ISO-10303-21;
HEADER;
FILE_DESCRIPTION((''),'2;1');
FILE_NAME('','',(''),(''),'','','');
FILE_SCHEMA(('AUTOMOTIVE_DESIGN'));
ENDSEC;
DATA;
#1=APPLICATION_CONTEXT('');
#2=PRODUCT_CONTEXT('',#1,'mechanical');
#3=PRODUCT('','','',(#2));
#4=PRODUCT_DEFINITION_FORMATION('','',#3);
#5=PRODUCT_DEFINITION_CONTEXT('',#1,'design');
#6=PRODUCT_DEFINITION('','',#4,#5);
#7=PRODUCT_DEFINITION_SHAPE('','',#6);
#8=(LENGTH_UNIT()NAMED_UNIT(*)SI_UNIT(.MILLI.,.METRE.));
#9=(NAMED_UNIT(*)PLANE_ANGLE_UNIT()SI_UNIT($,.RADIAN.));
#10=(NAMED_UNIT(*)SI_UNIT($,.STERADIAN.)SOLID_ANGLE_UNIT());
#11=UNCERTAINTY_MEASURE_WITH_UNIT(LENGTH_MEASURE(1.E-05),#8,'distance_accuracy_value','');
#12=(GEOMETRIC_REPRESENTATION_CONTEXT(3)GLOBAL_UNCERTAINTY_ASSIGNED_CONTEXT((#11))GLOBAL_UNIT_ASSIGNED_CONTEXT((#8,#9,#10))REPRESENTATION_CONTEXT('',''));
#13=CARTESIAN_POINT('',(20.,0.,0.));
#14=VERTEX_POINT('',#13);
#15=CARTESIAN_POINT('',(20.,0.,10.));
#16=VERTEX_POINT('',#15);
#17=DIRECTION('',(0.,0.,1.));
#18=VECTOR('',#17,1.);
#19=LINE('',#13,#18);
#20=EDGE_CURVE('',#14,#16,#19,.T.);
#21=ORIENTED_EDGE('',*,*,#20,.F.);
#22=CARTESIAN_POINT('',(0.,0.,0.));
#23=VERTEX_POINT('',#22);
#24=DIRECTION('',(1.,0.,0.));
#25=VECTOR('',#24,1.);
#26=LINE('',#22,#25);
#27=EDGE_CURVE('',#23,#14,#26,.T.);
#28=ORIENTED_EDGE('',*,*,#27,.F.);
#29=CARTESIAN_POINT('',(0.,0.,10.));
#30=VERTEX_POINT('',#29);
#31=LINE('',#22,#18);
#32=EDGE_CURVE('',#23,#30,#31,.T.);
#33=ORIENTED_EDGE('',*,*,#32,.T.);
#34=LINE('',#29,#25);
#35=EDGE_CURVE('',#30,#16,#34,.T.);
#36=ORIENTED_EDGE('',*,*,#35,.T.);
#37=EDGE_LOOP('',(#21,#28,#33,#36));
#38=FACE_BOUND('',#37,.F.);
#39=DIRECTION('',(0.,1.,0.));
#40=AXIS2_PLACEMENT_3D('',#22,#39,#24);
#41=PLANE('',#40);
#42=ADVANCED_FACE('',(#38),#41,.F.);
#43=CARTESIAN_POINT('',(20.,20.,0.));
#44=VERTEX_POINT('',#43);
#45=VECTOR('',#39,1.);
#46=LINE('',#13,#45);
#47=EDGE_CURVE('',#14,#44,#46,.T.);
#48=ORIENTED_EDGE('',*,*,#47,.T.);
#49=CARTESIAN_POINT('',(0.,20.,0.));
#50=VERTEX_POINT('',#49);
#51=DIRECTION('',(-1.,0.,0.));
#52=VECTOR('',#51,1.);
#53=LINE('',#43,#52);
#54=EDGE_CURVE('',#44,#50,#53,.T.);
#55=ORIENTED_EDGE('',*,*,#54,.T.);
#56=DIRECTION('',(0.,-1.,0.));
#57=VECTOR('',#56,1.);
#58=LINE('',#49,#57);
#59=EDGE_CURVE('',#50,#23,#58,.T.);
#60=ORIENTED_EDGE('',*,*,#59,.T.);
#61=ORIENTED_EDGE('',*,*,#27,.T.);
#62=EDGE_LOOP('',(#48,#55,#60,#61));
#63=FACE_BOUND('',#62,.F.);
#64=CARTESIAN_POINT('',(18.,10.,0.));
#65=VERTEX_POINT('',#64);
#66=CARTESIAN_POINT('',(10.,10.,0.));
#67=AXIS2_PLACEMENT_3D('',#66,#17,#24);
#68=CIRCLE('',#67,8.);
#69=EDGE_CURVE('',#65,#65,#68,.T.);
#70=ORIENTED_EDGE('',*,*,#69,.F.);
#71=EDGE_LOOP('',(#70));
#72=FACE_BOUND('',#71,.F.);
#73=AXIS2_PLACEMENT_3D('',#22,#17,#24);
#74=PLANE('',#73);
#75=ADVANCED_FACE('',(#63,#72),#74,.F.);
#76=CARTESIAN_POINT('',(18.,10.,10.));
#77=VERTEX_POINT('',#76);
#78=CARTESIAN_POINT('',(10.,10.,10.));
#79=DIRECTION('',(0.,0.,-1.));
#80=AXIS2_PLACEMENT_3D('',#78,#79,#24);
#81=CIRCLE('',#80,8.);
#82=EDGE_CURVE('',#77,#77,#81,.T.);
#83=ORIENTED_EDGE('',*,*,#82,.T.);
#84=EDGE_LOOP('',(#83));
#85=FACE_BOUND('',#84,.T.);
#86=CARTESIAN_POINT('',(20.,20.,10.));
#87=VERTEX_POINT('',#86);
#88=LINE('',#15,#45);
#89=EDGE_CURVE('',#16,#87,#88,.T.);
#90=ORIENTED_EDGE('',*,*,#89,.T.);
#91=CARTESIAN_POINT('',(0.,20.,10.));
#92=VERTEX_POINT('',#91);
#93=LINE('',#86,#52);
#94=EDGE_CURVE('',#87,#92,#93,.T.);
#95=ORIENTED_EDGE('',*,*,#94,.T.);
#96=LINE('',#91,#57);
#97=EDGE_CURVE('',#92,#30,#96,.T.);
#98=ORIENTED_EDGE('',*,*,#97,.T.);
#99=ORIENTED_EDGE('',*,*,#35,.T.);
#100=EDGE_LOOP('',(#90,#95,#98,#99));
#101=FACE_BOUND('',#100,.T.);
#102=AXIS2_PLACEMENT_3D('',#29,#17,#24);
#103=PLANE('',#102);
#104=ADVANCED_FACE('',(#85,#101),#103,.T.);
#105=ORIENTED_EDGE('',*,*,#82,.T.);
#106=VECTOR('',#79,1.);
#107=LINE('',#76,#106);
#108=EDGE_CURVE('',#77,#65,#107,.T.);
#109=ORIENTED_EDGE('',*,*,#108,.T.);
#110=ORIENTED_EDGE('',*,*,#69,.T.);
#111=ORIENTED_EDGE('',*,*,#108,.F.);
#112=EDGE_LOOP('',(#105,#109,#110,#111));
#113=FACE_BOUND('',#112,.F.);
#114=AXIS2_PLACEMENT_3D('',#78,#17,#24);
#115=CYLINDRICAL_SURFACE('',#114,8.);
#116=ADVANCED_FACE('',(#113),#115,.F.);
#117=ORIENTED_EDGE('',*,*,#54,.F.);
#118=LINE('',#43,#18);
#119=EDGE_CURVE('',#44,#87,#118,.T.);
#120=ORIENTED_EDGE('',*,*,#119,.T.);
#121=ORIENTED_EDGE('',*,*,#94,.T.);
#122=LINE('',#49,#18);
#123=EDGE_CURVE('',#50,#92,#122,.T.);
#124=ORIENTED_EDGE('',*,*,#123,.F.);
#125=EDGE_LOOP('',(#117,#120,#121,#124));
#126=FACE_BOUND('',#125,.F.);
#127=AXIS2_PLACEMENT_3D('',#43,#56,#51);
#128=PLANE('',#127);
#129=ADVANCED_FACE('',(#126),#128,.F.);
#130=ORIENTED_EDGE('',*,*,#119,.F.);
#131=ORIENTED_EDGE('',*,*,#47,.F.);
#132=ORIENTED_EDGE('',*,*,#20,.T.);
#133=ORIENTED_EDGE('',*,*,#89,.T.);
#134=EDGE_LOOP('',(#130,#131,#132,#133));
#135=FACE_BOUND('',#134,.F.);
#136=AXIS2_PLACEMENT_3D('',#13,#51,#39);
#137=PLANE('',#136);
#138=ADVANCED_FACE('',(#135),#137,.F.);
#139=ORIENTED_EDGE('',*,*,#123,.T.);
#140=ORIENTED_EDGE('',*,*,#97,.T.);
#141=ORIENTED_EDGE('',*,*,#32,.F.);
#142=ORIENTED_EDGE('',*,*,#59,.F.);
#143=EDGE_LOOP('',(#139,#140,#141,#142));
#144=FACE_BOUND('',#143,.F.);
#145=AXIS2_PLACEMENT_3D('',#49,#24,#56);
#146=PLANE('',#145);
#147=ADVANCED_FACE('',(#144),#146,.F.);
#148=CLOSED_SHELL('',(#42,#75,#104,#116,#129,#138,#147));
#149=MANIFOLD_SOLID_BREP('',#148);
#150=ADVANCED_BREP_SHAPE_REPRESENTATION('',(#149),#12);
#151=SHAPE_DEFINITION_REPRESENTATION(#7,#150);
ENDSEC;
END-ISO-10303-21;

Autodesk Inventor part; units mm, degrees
ref_plane "YZ Plane" through (0, 0, 0) normal (1, 0, 0) x (0, 1, 0)
ref_plane "XZ Plane" through (0, 0, 0) normal (0, 1, 0) x (-1, 0, 0)
ref_plane "XY Plane" through (0, 0, 0) normal (0, 0, 1) x (1, 0, 0)
sketch "Sketch1" plane through (0, 0, 0) normal (0, 0, 1) x (1, 0, 0)
  line L0 (0, 0) -> (20, 0)
  line L1 (20, 0) -> (20, 20)
  line L2 (20, 20) -> (0, 20)
  line L3 (0, 20) -> (0, 0)
  dimension "d0" = 20
  dimension "d1" = 20
extrude "Extrusion1" add sketch "Sketch1" along normal blind 10
sketch "Sketch2" plane through (0, 0, 10) normal (0, 0, 1) x (1, 0, 0)
  line L0 (0, 0) -> (10, 0)
  line L1 (0, 0) -> (20, 0) projected
  line L2 (10, 0) -> (10, 10)
  circle A0 centre (10, 10) radius 8
  dimension "d4" = 10
  dimension "d5" = 10
  dimension "d6" = 16
extrude "Extrusion2" cut sketch "Sketch2" against normal through all
thread "Thread1" size "M16x2" class "6H" standard "ANSI Metric M Profile" full length
properties part number "DC MOTOR NUT FOR CAPPING SYSTEM1"
